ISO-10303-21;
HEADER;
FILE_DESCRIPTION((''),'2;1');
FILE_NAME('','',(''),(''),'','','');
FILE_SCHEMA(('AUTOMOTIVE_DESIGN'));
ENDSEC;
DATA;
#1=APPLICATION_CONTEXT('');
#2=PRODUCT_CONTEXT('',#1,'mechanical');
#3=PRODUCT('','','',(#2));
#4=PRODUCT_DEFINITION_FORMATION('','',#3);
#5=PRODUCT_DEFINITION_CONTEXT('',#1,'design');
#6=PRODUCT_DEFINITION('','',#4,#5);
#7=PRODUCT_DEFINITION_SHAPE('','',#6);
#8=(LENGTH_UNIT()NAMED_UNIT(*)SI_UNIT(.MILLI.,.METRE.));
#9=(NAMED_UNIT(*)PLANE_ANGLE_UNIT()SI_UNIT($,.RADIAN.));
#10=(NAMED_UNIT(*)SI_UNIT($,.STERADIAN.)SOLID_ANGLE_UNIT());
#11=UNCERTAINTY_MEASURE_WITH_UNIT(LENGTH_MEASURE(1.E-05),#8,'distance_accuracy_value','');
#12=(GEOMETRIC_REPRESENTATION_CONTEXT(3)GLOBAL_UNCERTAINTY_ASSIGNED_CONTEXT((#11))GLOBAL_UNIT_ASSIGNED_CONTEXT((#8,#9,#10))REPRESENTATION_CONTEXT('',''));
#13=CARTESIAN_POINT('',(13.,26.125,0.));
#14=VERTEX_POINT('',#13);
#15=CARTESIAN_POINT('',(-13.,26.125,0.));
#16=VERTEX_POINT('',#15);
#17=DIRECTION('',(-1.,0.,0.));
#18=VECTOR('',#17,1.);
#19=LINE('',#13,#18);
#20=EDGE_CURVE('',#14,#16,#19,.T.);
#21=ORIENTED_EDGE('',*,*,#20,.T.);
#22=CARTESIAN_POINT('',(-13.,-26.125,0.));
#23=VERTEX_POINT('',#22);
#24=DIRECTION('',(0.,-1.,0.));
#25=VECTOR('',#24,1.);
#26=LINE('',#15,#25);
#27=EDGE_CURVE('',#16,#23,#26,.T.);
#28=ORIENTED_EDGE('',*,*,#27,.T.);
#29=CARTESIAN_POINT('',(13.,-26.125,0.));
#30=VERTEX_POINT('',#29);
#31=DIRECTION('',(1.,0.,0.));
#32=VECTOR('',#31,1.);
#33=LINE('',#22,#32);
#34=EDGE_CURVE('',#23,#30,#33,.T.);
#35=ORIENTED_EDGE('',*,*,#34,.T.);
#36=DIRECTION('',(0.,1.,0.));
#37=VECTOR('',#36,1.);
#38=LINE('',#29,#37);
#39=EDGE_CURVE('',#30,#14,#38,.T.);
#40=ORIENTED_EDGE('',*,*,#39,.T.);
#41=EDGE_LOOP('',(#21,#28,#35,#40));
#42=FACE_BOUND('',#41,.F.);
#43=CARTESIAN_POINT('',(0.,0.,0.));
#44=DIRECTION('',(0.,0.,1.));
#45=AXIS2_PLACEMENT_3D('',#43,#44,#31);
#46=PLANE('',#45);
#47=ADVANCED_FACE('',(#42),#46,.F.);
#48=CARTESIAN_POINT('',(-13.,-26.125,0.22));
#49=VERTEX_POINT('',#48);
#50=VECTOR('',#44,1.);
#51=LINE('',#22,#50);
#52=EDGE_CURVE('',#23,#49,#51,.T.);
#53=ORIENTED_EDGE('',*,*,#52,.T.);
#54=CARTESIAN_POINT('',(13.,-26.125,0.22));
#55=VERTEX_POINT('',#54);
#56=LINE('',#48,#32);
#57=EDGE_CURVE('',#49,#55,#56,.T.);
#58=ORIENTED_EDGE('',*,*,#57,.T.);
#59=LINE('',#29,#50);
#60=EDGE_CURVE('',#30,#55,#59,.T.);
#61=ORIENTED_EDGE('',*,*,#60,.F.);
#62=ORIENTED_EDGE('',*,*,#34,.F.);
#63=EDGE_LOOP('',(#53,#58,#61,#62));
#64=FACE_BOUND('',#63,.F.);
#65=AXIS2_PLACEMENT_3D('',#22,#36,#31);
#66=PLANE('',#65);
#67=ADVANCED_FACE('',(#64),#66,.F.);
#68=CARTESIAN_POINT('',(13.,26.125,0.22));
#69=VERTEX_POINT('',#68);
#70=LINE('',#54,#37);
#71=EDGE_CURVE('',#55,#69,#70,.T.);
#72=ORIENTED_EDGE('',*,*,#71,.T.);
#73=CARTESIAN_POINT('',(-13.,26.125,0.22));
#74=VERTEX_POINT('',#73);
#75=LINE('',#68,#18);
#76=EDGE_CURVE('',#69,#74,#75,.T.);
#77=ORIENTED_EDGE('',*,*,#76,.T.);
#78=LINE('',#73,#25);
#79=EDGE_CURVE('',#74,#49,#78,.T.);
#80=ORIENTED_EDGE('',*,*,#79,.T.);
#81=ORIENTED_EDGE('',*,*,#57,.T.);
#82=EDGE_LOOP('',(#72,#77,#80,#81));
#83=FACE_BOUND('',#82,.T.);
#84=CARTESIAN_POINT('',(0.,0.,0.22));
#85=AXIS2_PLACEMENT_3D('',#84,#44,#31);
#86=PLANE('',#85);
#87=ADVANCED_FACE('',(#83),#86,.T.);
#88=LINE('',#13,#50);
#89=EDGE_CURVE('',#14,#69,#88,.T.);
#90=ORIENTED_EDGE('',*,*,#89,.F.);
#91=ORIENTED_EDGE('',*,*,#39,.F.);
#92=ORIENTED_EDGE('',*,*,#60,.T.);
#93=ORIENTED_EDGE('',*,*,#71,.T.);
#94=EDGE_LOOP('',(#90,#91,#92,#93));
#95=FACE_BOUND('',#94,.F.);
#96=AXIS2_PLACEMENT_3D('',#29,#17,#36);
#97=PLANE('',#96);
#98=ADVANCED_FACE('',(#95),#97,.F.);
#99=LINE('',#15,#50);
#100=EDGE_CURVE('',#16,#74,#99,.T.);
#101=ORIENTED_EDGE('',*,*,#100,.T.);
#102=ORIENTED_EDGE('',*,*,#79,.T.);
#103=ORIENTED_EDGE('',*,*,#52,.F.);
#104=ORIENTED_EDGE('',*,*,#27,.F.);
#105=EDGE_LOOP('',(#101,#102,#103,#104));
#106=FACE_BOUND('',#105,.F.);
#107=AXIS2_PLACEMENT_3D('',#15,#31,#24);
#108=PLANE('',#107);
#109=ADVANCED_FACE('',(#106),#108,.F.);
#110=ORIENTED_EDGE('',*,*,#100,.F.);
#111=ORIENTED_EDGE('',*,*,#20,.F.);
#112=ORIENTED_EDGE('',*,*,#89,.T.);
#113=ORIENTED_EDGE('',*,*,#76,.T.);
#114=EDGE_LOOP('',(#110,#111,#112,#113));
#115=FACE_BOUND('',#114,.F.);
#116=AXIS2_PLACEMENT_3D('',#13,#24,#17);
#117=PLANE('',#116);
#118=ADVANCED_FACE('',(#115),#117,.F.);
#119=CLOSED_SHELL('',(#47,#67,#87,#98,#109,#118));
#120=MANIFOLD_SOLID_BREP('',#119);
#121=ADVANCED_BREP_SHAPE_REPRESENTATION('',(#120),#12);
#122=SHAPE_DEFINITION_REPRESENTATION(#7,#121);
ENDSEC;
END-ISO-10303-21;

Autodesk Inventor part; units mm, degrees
ref_plane "YZ Plane" through (0, 0, 0) normal (1, 0, 0) x (0, 1, 0)
ref_plane "XZ Plane" through (0, 0, 0) normal (0, 1, 0) x (-1, 0, 0)
ref_plane "XY Plane" through (0, 0, 0) normal (0, 0, 1) x (1, 0, 0)
sketch "Sketch1" plane through (0, 0, 0) normal (0, 0, 1) x (1, 0, 0)
  line L0 (-13, -26.125) -> (13, -26.125)
  line L1 (13, -26.125) -> (13, 26.125)
  line L2 (13, 26.125) -> (-13, 26.125)
  line L3 (-13, 26.125) -> (-13, -26.125)
  line L4 (-13, -26.125) -> (13, 26.125) construction
  line L5 (13, -26.125) -> (-13, 26.125) construction
  point P0 (0, 0)
  dimension "d0" = 26
  dimension "d1" = 52.25
extrude "Extrusion1" add sketch "Sketch1" along normal blind 0.22
properties part number "solar cell 26x52"
